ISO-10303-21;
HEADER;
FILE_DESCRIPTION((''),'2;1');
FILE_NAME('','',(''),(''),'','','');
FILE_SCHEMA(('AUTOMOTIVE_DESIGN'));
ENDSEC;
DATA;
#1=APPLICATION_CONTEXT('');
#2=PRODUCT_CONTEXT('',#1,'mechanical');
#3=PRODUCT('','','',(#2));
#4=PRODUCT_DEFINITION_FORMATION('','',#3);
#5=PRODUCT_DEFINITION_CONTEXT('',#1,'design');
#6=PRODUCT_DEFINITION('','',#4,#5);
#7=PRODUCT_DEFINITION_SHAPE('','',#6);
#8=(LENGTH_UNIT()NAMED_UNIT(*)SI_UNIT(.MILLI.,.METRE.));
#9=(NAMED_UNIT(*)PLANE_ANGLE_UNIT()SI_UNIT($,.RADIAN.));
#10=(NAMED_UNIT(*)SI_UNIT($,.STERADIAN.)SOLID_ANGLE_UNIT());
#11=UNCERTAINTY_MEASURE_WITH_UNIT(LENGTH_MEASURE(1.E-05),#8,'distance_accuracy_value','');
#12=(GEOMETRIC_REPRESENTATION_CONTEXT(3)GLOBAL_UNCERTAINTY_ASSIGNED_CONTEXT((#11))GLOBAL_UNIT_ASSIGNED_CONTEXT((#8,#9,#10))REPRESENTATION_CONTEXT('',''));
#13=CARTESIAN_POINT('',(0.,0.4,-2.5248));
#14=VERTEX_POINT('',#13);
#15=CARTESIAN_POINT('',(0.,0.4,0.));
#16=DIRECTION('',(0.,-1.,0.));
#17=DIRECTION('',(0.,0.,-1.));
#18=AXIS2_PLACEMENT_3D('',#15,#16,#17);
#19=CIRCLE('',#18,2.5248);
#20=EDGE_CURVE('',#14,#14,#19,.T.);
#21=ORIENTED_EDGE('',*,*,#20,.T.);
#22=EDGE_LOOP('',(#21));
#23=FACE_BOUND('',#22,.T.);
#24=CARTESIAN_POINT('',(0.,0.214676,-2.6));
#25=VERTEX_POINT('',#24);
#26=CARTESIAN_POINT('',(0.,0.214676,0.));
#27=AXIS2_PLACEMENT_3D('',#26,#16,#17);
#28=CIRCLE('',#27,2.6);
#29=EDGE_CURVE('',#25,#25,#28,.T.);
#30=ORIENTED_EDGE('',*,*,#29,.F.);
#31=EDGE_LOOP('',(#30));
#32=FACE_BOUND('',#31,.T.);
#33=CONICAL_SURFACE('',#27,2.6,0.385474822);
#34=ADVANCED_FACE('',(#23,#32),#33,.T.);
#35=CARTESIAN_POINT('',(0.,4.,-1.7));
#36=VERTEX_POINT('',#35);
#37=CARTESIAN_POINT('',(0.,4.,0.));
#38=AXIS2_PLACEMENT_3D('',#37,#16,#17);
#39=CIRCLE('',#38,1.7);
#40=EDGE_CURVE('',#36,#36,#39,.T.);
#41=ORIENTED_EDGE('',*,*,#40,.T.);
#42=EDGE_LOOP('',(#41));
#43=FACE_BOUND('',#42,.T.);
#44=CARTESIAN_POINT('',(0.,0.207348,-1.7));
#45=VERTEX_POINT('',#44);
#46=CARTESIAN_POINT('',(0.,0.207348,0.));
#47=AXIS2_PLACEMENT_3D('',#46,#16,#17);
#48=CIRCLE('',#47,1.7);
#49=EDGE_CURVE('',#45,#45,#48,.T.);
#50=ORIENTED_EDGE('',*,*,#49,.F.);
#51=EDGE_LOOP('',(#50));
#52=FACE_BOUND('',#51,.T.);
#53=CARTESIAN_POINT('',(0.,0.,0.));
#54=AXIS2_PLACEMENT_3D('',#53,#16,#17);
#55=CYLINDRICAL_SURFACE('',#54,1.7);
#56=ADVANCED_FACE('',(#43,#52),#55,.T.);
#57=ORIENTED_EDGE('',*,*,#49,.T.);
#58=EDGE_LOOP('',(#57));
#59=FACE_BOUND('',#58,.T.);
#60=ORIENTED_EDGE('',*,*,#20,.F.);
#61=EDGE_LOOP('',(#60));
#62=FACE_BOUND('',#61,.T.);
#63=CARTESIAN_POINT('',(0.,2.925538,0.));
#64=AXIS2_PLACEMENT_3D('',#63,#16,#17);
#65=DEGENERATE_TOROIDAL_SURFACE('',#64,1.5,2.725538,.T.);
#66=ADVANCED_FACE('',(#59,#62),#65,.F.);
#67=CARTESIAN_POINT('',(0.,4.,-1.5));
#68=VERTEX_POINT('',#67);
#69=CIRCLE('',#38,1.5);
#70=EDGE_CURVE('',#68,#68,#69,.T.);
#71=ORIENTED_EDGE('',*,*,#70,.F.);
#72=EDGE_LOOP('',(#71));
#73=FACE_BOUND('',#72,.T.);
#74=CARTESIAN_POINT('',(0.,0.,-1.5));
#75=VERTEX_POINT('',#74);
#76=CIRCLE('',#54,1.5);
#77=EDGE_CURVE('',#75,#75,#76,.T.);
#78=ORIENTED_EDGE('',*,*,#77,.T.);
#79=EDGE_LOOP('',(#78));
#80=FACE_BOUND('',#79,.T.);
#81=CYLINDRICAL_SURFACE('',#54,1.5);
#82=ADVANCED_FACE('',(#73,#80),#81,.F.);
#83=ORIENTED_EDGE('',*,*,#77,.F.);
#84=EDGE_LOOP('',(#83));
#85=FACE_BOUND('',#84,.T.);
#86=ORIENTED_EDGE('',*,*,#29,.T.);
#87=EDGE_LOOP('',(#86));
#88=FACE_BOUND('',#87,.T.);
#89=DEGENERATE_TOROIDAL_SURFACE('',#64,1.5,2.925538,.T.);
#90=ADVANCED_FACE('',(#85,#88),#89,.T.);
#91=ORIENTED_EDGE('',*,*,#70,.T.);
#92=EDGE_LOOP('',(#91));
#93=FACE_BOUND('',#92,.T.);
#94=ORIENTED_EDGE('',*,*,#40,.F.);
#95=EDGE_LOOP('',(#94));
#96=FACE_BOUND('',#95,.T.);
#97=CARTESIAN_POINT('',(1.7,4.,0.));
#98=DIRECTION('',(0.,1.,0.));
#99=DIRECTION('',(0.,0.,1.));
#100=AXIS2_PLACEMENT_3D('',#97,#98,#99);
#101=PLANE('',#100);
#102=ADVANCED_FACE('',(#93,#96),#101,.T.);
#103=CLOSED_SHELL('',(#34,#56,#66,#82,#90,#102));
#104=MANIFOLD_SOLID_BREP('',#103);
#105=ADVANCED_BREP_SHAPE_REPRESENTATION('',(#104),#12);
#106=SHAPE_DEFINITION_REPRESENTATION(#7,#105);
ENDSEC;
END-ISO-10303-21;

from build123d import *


with BuildPart() as part:
    # Sketch1 → Revolve1 (revolve)
    with BuildSketch(Plane.XY, mode=Mode.PRIVATE) as revolve1_sk:
        with BuildLine():
            Line((1.7, 4), (1.5, 4))
            Line((1.5, 4), (1.5, 0))
            ThreePointArc((1.5, 0), (2.060376165, 0.054170522), (2.6, 0.214675999))
            Line((2.6, 0.214675999), (2.524800168, 0.4))
            ThreePointArc((2.524800168, 0.4), (2.119929488, 0.271438363), (1.7, 0.207347904))
            Line((1.7, 0.207347904), (1.7, 4))
        make_face()
    revolve(revolve1_sk.sketch.rotate(Axis((0, 0, 0), (0, 1, 0)), 90), axis=Axis((0, 0, 0), (0, 1, 0)))


solid = part.part
